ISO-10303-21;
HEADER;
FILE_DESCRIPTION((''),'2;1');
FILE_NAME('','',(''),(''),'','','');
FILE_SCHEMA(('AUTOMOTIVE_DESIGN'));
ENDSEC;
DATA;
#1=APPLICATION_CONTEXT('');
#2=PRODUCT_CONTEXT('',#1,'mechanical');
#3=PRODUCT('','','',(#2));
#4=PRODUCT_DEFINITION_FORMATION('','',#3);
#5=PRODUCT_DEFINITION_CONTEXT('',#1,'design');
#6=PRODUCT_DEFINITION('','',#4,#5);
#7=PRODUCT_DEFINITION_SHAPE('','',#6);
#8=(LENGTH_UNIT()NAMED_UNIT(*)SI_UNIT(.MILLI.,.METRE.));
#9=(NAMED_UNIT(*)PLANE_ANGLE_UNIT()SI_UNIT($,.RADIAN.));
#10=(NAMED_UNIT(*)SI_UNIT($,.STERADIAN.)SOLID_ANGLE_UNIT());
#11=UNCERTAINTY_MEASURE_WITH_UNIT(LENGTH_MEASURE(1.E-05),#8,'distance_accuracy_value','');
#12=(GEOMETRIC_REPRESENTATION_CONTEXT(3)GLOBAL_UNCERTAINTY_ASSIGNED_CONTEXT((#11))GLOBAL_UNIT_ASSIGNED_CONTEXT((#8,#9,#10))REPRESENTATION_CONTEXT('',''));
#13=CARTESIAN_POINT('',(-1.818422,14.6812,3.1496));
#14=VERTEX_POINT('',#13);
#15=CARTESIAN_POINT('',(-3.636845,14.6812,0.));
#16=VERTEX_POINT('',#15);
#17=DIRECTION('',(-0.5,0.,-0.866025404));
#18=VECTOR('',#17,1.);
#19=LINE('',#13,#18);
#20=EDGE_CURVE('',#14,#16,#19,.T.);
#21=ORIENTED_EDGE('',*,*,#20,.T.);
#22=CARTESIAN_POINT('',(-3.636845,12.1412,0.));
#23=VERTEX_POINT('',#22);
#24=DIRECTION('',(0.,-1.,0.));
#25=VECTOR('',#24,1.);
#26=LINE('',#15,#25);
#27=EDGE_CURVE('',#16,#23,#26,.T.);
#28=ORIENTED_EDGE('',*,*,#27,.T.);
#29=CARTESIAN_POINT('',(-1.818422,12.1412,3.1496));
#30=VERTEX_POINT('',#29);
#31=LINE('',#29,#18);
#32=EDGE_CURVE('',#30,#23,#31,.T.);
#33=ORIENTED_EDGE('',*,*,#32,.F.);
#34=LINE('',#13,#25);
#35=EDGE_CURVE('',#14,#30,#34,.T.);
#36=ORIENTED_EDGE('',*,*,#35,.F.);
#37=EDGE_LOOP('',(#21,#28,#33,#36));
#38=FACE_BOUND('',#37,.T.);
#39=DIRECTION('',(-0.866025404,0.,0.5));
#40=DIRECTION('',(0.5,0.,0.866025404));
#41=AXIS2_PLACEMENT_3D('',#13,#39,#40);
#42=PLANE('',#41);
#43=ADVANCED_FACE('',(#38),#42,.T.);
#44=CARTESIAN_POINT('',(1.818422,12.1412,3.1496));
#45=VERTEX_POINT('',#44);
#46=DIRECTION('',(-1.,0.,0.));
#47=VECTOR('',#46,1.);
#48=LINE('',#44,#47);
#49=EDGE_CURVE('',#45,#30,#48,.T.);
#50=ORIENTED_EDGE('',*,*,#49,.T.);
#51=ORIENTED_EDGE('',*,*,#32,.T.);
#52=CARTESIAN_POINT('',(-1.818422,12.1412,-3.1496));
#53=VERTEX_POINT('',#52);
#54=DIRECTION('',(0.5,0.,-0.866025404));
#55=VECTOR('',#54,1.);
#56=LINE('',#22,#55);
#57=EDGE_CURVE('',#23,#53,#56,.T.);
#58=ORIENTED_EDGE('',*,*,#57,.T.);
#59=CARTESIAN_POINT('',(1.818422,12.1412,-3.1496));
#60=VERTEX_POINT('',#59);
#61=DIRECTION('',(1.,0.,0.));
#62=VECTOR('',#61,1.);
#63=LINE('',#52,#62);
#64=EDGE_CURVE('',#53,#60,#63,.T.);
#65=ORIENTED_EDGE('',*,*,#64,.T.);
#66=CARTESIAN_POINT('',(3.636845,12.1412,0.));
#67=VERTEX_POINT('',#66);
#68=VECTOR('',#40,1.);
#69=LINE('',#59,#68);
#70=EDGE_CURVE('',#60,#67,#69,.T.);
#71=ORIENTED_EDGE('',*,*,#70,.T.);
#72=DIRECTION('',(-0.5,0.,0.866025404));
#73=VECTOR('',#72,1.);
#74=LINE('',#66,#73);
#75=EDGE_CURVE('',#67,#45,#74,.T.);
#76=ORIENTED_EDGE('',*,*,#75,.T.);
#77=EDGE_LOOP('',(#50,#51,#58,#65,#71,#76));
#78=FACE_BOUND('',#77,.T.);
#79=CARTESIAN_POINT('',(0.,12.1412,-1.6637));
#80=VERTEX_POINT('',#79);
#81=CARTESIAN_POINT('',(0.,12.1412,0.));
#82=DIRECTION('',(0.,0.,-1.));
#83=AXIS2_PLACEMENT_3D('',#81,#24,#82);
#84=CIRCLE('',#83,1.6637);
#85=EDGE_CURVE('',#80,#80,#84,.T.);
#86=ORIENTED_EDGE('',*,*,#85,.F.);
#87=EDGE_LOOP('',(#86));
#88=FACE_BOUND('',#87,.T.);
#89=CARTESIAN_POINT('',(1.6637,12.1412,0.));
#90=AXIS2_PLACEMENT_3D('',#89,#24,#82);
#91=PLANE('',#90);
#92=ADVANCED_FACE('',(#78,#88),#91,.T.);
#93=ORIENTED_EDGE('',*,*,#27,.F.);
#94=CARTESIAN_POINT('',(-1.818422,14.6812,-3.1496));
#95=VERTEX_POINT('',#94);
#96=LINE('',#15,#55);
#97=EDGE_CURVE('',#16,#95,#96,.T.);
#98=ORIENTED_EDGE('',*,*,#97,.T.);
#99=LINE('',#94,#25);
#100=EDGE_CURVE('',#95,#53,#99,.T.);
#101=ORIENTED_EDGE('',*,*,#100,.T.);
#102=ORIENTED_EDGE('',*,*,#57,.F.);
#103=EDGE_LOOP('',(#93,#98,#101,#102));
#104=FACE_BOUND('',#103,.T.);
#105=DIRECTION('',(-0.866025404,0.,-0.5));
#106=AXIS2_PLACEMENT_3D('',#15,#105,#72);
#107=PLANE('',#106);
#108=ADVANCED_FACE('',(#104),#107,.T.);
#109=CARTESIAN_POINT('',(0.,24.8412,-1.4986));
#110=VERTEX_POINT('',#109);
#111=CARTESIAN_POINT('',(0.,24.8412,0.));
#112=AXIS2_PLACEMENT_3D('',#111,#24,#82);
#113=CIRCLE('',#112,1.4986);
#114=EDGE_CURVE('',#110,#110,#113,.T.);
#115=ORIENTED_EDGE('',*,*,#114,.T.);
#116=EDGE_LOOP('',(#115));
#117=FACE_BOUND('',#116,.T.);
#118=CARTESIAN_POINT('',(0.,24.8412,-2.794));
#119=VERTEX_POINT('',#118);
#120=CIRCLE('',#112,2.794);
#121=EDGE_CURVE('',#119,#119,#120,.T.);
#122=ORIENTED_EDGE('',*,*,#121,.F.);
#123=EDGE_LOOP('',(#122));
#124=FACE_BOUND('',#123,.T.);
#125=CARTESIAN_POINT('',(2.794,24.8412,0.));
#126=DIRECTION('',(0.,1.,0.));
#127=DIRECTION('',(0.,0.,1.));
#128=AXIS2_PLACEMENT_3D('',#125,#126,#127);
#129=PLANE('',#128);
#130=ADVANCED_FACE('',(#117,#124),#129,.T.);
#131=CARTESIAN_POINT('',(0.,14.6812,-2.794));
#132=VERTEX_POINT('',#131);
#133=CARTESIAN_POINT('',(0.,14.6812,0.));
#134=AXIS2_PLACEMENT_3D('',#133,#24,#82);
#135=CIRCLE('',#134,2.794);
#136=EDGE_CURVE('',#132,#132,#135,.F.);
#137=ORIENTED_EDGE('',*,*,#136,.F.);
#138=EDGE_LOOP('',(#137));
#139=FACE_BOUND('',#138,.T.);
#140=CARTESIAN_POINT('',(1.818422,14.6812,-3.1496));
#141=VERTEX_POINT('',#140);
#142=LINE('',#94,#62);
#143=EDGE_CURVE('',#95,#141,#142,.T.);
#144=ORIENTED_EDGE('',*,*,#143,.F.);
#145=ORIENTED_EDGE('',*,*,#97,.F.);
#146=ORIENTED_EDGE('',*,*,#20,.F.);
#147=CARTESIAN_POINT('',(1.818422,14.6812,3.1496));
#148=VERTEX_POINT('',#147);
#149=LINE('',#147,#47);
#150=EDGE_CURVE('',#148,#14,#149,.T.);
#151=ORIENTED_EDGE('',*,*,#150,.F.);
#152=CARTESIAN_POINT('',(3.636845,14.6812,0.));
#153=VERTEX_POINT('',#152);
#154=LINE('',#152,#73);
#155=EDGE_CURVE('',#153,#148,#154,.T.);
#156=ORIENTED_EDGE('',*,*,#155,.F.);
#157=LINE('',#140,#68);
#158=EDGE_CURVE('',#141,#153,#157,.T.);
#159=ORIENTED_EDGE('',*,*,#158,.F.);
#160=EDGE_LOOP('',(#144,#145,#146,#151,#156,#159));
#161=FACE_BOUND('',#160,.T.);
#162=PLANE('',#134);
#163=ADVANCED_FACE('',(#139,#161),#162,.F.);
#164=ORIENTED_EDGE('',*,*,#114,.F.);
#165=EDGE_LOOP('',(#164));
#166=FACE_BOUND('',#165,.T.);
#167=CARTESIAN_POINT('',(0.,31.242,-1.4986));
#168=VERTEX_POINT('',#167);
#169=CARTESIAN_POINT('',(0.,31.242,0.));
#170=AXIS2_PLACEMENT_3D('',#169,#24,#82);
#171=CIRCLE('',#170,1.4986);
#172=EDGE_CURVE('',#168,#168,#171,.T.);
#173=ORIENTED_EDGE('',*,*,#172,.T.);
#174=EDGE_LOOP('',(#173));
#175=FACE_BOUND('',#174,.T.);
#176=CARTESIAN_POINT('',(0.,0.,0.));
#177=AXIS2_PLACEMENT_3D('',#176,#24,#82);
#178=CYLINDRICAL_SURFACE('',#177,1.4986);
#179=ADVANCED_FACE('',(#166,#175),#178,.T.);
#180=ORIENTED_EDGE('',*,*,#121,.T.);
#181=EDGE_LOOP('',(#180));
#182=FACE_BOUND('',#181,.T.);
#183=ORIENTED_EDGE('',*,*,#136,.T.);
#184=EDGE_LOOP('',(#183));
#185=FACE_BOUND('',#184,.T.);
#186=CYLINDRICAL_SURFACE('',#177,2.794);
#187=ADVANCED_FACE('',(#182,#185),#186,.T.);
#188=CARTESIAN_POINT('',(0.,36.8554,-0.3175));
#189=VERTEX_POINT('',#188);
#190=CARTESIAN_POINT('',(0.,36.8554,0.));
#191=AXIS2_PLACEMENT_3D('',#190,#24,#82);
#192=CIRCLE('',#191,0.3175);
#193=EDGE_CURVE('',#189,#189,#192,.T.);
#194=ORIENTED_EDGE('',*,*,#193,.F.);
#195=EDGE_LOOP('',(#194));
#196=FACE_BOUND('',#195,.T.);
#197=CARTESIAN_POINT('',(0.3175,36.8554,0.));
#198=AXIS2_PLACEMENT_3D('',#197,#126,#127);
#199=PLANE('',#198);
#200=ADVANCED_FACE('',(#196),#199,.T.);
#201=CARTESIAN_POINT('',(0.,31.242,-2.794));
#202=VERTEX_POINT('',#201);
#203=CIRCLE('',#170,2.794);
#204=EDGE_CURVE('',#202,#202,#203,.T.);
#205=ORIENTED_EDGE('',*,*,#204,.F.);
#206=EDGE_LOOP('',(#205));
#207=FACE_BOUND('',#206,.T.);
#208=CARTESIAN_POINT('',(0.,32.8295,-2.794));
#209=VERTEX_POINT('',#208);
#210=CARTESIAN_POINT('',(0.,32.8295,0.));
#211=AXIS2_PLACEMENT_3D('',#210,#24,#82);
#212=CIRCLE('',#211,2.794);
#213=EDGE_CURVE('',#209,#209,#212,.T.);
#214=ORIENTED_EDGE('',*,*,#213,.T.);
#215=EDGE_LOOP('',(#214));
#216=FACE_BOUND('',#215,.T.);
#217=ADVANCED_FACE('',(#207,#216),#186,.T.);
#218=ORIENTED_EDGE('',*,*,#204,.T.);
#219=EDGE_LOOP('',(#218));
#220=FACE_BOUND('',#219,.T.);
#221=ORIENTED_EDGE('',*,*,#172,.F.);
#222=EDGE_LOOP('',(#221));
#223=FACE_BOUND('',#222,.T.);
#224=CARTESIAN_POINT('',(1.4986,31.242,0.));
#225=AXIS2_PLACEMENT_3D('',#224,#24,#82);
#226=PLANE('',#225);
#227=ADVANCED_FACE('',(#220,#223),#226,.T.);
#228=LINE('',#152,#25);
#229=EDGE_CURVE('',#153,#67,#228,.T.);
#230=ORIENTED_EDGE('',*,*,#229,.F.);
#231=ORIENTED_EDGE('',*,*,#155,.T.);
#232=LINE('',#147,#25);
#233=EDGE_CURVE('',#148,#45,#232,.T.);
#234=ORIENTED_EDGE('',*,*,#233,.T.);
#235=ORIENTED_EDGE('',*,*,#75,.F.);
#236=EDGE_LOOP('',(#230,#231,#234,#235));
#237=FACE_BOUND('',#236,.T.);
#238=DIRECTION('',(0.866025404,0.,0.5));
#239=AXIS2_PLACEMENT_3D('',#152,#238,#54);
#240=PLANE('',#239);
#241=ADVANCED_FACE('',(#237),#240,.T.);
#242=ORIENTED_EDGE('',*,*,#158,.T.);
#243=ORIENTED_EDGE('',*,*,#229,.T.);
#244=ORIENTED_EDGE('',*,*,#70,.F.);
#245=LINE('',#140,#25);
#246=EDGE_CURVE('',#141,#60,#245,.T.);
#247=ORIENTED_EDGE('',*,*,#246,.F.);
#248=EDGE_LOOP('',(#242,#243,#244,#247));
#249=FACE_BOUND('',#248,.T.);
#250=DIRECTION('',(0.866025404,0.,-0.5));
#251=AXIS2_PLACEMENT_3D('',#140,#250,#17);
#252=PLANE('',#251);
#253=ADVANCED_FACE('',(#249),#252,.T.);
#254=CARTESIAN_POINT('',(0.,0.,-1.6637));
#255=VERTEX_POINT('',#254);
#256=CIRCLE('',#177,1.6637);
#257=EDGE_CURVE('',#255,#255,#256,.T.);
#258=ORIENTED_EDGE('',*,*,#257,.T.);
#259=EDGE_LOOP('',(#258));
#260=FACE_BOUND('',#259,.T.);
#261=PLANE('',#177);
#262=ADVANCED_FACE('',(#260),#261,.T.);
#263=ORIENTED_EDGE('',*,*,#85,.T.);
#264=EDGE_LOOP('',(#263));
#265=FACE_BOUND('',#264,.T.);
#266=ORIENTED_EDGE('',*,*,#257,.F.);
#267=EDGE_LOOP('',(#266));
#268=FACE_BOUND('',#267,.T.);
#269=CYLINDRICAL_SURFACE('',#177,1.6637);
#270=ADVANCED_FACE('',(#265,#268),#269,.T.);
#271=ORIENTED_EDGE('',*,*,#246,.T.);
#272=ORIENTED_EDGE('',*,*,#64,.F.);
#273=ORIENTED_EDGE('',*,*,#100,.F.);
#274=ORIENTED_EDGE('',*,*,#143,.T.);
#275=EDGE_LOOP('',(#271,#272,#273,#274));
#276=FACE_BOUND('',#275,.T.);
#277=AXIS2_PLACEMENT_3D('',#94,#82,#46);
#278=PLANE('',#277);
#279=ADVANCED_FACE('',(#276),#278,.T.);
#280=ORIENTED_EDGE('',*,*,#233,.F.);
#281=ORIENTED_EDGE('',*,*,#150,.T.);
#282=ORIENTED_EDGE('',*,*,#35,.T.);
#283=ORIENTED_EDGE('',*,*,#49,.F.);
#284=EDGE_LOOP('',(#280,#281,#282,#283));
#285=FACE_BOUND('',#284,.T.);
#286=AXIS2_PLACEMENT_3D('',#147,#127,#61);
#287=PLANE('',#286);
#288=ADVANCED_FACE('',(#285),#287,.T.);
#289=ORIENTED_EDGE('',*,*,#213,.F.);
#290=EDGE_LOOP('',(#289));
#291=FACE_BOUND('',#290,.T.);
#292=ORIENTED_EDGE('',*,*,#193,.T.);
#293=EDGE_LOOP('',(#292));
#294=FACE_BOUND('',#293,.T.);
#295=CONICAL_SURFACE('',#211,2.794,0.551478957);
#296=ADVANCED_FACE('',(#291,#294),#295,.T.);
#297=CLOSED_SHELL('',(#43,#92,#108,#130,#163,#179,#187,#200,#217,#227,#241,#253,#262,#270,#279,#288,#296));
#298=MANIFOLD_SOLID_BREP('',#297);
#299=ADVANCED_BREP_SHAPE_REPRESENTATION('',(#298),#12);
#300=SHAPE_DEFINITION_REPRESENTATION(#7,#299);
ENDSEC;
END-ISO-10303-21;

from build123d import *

# Parameters (mm, degrees)
BOSS_EXTRUDE1_DEPTH = 2.54


with BuildPart() as part:
    # Sketch1 → Revolve1 (revolve)
    with BuildSketch(Plane.XY, mode=Mode.PRIVATE) as revolve1_sk:
        Polygon((0, 0), (1.6637, 0), (1.6637, 12.1412), (2.794, 12.1412), (2.794, 24.8412), (1.4986, 24.8412), (1.4986, 31.242), (2.794, 31.242), (2.794, 32.8295), (0.3175, 36.8554), (0, 36.8554), align=None)
    revolve(revolve1_sk.sketch.rotate(Axis((0, 0, 0), (0, 1, 0)), 90), axis=Axis((0, 0, 0), (0, 1, 0)))  # turned: the seam where the file's is

    # Sketch2 → Boss-Extrude1 (add)
    with BuildSketch(Plane.XZ.offset(-12.1412)):
        Polygon((3.636844816, 0), (1.818422408, 3.1496), (-1.818422408, 3.1496), (-3.636844816, 0), (-1.818422408, -3.1496), (1.818422408, -3.1496), align=None)
    extrude(amount=-BOSS_EXTRUDE1_DEPTH)


solid = part.part
